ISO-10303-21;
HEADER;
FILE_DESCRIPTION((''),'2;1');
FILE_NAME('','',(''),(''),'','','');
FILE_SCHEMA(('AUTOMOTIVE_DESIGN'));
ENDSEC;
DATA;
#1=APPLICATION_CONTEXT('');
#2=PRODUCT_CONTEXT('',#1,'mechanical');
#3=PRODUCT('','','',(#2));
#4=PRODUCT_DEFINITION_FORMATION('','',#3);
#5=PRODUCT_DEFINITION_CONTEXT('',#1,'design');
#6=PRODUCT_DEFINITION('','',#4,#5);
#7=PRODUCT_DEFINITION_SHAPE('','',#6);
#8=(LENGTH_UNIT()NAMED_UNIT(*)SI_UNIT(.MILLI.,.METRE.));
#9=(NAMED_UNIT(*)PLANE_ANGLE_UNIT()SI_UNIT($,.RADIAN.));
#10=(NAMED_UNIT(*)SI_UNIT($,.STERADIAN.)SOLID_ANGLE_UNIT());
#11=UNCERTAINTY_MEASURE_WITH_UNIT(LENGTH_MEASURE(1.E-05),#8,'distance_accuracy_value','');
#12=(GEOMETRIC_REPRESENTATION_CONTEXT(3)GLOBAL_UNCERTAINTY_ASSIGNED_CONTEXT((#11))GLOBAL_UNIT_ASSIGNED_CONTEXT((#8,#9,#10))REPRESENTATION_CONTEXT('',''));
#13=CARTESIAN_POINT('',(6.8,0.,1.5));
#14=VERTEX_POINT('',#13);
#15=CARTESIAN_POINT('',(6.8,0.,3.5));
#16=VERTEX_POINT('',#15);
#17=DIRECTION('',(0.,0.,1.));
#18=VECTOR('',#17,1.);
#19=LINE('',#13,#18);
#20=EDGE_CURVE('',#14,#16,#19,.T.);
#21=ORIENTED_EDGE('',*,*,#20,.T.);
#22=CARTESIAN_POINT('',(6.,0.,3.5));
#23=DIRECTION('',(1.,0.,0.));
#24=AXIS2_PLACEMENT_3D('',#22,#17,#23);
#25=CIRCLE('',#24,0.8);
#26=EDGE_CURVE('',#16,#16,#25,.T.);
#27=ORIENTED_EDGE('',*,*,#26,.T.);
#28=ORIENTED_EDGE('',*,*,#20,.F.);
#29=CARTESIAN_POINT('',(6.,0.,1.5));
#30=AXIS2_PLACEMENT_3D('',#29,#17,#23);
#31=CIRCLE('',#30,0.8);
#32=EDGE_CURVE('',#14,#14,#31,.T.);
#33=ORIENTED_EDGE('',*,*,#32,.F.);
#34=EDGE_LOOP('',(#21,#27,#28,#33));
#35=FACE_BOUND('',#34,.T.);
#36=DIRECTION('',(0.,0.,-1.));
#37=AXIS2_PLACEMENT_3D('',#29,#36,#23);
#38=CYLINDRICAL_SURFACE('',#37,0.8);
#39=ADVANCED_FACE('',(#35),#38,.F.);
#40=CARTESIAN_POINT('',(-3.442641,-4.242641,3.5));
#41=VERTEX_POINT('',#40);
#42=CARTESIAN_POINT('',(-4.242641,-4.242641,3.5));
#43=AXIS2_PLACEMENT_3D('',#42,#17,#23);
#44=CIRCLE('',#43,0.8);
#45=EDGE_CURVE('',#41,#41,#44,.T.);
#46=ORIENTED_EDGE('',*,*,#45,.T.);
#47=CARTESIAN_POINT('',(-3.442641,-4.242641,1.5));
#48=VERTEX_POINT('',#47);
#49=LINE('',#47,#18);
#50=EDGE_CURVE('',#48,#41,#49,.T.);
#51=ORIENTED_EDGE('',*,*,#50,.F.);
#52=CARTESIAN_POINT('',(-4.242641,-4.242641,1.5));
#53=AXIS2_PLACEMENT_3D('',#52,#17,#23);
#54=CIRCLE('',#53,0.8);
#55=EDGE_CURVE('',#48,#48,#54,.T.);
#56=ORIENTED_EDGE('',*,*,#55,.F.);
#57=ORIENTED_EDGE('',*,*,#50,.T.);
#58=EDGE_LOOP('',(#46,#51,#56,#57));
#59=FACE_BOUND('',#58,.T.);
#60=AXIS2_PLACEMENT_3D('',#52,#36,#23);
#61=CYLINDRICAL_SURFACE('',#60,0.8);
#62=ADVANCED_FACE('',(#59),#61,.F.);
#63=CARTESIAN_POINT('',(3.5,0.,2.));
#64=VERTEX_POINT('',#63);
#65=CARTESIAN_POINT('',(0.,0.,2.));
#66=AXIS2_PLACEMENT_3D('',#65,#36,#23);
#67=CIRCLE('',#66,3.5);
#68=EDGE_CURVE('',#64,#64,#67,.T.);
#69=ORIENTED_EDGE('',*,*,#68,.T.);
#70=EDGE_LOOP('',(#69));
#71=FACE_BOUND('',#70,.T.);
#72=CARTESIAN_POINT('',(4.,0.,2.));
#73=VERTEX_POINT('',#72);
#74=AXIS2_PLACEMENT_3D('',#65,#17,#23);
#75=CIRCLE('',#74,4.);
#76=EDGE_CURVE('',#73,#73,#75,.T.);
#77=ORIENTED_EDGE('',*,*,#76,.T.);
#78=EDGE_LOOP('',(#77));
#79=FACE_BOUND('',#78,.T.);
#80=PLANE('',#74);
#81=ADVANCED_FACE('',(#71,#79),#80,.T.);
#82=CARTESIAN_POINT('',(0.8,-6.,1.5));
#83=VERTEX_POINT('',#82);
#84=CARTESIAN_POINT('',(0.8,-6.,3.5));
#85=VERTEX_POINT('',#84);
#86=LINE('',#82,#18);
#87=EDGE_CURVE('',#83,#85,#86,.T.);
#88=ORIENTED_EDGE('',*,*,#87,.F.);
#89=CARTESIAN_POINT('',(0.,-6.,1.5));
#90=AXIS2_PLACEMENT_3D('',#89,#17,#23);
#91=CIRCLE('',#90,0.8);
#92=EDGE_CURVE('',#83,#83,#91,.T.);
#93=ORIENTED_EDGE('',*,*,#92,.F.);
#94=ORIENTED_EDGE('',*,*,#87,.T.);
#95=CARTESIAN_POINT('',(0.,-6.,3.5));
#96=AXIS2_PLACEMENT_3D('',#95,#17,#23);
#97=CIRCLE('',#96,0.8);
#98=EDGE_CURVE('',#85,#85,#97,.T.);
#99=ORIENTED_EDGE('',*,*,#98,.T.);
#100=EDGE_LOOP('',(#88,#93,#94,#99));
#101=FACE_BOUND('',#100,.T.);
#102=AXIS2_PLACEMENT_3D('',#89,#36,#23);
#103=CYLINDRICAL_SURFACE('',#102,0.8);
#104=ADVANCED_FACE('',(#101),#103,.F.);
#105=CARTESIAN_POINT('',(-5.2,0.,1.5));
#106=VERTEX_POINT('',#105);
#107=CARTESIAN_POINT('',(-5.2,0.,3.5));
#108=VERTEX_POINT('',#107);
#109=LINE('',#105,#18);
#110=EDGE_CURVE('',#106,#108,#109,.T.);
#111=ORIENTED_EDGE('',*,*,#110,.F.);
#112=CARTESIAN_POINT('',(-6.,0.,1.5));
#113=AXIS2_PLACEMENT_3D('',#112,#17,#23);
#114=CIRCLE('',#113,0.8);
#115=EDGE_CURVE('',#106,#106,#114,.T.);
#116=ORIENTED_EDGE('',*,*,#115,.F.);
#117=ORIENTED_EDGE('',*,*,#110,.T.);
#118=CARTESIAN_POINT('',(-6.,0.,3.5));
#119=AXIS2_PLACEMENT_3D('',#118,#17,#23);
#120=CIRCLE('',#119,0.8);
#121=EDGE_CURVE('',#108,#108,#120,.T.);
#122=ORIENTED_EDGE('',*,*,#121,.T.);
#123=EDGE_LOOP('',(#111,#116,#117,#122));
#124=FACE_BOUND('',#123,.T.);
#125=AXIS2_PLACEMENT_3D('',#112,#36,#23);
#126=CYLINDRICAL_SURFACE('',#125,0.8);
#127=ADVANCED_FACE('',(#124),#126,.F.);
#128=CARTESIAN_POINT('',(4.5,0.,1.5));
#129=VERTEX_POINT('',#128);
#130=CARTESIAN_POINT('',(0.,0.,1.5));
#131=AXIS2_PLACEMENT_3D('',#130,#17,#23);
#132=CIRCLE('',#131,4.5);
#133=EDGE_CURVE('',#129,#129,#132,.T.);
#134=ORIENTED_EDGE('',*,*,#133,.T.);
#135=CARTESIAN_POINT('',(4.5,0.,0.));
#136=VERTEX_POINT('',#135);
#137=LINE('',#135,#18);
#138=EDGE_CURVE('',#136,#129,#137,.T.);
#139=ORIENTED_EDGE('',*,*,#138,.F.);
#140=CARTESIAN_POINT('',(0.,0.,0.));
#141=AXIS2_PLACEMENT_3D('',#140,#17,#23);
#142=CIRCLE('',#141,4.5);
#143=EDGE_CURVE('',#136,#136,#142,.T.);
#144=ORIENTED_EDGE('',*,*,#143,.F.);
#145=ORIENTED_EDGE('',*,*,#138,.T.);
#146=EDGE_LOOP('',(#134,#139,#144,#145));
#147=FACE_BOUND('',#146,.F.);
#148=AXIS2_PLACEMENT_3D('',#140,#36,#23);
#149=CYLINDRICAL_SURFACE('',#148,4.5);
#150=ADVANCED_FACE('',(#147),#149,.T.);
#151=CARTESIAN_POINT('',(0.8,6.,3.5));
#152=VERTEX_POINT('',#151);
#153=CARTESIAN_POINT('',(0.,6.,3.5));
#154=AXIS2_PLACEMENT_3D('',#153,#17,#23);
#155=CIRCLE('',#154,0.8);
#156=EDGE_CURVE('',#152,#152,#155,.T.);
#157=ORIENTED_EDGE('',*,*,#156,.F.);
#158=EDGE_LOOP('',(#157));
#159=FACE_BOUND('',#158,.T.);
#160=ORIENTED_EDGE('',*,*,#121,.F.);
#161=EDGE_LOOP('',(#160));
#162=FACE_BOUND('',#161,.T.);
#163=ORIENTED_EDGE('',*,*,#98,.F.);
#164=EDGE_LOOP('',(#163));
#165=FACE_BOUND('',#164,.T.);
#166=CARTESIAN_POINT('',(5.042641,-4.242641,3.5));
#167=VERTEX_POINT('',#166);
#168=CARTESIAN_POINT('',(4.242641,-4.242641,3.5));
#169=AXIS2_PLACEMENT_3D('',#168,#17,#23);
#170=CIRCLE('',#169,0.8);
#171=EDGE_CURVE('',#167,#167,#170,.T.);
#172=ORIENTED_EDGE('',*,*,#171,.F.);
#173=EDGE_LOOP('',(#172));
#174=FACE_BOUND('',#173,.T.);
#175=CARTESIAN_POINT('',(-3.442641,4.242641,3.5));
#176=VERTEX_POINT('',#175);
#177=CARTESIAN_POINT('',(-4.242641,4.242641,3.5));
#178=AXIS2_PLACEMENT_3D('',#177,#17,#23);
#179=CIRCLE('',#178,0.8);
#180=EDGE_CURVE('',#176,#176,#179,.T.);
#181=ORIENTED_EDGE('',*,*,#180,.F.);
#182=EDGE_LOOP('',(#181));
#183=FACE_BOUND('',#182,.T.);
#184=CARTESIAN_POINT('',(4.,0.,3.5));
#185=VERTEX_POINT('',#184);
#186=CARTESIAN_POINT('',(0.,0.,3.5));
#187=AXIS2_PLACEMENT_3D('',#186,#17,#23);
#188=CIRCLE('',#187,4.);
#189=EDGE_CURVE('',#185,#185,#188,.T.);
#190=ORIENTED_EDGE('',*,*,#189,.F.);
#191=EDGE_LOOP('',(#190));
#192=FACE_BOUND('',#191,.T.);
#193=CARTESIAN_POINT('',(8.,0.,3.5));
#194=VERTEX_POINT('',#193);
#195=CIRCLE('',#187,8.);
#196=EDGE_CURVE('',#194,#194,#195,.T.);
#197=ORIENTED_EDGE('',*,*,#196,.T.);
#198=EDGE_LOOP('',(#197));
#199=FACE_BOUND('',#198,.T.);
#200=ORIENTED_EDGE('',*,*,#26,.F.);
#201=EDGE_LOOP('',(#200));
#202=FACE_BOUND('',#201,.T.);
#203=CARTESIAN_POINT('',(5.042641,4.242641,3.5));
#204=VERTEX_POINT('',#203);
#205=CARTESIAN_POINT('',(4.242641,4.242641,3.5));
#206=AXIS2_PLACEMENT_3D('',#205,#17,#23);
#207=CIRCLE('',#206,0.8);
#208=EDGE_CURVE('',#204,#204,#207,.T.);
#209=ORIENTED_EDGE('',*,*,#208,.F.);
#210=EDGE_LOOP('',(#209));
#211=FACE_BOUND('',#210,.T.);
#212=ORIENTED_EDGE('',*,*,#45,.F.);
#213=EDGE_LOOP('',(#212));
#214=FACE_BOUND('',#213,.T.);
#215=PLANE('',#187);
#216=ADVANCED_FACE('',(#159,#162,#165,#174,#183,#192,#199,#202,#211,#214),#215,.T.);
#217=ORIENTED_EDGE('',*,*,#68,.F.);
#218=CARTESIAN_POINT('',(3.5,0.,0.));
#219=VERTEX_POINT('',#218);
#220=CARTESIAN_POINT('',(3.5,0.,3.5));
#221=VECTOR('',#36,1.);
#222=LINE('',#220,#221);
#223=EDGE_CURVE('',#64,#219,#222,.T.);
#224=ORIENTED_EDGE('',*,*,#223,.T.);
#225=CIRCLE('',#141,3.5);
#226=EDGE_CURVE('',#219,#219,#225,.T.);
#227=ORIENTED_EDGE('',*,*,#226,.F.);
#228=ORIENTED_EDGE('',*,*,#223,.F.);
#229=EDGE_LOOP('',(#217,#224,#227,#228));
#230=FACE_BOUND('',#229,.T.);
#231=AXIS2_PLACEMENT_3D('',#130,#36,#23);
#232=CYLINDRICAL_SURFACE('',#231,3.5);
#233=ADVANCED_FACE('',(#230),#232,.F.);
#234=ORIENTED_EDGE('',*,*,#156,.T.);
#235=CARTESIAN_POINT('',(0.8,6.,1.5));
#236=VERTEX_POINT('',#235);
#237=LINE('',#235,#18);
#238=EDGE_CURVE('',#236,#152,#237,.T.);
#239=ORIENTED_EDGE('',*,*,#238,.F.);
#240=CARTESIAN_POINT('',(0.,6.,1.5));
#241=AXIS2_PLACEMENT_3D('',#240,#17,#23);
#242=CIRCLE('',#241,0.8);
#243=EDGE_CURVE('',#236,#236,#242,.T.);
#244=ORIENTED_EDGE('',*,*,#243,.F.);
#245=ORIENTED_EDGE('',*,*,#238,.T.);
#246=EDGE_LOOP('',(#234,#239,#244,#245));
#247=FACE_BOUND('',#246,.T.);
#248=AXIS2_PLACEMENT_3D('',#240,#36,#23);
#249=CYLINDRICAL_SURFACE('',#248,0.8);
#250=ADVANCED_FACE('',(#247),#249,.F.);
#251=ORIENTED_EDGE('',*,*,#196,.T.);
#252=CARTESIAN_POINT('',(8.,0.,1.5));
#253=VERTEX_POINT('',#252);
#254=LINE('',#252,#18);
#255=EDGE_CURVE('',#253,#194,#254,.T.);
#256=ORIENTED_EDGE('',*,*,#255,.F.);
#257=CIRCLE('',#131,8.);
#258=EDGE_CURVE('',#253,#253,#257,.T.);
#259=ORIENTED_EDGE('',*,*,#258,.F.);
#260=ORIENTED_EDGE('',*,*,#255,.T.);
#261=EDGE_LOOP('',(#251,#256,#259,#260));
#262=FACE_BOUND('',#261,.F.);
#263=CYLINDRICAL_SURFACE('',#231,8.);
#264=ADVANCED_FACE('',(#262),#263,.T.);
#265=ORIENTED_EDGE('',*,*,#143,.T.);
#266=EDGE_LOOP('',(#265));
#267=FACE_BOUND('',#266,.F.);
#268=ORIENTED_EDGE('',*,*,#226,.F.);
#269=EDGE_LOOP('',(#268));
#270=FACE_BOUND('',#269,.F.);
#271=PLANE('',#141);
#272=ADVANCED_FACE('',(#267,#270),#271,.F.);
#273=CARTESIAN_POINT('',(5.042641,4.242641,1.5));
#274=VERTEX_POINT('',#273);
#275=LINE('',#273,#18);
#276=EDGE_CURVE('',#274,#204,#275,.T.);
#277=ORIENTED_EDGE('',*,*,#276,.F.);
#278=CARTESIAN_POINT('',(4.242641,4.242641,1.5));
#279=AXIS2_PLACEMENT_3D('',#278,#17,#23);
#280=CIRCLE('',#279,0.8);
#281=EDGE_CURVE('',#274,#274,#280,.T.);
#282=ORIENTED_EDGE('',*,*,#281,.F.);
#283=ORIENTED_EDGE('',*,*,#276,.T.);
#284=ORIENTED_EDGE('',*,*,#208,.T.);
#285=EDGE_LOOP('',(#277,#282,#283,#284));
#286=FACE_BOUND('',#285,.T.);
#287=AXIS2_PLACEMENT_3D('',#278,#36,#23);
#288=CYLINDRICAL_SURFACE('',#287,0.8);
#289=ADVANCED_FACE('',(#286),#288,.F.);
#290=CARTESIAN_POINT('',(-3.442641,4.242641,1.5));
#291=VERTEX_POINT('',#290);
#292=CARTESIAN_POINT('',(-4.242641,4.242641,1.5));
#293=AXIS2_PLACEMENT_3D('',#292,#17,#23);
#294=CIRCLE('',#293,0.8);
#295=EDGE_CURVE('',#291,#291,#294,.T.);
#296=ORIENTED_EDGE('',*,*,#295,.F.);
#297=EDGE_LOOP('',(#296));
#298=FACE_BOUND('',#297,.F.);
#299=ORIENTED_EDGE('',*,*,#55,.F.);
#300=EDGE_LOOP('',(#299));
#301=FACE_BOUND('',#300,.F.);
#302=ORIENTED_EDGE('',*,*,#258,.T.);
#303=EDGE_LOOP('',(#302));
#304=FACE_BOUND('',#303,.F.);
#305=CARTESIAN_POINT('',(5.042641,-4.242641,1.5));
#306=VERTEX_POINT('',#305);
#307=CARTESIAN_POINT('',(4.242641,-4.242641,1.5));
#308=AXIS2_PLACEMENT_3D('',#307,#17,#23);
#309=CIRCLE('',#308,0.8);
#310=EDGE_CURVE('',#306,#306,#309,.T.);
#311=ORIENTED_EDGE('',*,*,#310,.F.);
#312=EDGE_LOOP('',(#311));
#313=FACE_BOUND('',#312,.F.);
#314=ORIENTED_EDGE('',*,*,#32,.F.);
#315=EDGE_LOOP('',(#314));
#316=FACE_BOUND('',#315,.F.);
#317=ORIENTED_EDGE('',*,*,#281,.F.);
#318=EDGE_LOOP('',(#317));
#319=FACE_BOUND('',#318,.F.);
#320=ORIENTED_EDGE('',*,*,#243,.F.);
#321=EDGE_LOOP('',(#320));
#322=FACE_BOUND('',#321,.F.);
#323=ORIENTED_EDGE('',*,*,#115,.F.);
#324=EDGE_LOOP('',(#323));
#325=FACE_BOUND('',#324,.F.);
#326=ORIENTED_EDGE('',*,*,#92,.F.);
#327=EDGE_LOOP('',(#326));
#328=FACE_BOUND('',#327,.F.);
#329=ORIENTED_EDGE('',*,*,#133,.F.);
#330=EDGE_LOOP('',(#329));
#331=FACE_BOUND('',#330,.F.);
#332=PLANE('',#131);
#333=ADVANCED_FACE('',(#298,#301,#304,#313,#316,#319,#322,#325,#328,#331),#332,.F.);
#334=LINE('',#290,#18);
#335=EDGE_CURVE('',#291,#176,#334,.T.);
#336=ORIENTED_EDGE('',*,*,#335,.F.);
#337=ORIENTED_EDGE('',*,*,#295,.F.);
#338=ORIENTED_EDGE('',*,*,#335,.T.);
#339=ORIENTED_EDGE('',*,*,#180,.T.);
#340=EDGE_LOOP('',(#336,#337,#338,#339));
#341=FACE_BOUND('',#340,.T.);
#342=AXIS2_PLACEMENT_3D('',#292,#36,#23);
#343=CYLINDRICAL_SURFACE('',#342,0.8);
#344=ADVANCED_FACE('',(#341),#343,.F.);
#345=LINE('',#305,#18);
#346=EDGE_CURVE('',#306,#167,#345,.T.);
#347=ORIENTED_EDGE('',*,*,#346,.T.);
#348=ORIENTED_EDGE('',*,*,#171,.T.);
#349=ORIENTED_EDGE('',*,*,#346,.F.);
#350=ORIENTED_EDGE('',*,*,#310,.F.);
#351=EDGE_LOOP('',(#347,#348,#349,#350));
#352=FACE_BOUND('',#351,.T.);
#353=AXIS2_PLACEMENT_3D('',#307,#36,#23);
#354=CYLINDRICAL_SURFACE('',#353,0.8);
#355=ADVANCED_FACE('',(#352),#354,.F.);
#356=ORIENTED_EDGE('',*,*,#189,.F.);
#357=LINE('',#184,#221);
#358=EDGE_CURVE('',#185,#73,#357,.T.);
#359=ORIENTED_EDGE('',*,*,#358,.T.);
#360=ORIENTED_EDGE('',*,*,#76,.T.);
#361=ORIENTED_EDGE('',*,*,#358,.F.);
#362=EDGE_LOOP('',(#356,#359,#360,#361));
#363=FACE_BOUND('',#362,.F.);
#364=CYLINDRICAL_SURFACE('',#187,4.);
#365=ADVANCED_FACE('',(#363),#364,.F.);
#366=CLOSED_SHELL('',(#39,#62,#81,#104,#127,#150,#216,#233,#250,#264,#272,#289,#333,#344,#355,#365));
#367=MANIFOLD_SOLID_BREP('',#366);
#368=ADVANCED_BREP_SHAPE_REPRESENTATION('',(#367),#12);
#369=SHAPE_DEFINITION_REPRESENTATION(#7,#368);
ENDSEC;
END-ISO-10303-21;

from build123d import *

# Parameters (mm, degrees)
F0_R     = 4.5
F0_R_2   = 3.5
F1_DEPTH = 1.5
F2_R     = 8
F2_R_2   = 0.8
F2_R_3   = 4.5
F2_R_4   = 3.5
F3_DEPTH = 2
F4_R     = 4
F5_DEPTH = 1.5


with BuildPart() as f1:
    # F0 (on Top) → F1 (new body)
    with BuildSketch(Plane.XY):
        Circle(F0_R)
        Circle(F0_R_2, mode=Mode.SUBTRACT)
    extrude(amount=F1_DEPTH)

    # F2 (on face) → F3 (join)
    with BuildSketch(Plane.XY.offset(1.5)):
        Circle(F2_R)
        with Locations((-4.2426406871, -4.2426406871)):
            Circle(F2_R_2, mode=Mode.SUBTRACT)
        with Locations((0, -6)):
            Circle(F2_R_2, mode=Mode.SUBTRACT)
        with Locations((4.2426406871, -4.2426406871)):
            Circle(F2_R_2, mode=Mode.SUBTRACT)
        with Locations((-6, 0)):
            Circle(F2_R_2, mode=Mode.SUBTRACT)
        with Locations((-4.2426406871, 4.2426406871)):
            Circle(F2_R_2, mode=Mode.SUBTRACT)
        Circle(F2_R_3, mode=Mode.SUBTRACT)
        with Locations((6, 0)):
            Circle(F2_R_2, mode=Mode.SUBTRACT)
        with Locations((0, 6)):
            Circle(F2_R_2, mode=Mode.SUBTRACT)
        with Locations((4.2426406871, 4.2426406871)):
            Circle(F2_R_2, mode=Mode.SUBTRACT)
        Circle(F2_R_3)
        Circle(F2_R_4, mode=Mode.SUBTRACT)
    extrude(amount=F3_DEPTH)

    # F4 (on face) → F5 (cut)
    with BuildSketch(Plane.XY.offset(3.5)):
        Circle(F4_R)
    extrude(amount=-F5_DEPTH, mode=Mode.SUBTRACT)


solid = f1.part
